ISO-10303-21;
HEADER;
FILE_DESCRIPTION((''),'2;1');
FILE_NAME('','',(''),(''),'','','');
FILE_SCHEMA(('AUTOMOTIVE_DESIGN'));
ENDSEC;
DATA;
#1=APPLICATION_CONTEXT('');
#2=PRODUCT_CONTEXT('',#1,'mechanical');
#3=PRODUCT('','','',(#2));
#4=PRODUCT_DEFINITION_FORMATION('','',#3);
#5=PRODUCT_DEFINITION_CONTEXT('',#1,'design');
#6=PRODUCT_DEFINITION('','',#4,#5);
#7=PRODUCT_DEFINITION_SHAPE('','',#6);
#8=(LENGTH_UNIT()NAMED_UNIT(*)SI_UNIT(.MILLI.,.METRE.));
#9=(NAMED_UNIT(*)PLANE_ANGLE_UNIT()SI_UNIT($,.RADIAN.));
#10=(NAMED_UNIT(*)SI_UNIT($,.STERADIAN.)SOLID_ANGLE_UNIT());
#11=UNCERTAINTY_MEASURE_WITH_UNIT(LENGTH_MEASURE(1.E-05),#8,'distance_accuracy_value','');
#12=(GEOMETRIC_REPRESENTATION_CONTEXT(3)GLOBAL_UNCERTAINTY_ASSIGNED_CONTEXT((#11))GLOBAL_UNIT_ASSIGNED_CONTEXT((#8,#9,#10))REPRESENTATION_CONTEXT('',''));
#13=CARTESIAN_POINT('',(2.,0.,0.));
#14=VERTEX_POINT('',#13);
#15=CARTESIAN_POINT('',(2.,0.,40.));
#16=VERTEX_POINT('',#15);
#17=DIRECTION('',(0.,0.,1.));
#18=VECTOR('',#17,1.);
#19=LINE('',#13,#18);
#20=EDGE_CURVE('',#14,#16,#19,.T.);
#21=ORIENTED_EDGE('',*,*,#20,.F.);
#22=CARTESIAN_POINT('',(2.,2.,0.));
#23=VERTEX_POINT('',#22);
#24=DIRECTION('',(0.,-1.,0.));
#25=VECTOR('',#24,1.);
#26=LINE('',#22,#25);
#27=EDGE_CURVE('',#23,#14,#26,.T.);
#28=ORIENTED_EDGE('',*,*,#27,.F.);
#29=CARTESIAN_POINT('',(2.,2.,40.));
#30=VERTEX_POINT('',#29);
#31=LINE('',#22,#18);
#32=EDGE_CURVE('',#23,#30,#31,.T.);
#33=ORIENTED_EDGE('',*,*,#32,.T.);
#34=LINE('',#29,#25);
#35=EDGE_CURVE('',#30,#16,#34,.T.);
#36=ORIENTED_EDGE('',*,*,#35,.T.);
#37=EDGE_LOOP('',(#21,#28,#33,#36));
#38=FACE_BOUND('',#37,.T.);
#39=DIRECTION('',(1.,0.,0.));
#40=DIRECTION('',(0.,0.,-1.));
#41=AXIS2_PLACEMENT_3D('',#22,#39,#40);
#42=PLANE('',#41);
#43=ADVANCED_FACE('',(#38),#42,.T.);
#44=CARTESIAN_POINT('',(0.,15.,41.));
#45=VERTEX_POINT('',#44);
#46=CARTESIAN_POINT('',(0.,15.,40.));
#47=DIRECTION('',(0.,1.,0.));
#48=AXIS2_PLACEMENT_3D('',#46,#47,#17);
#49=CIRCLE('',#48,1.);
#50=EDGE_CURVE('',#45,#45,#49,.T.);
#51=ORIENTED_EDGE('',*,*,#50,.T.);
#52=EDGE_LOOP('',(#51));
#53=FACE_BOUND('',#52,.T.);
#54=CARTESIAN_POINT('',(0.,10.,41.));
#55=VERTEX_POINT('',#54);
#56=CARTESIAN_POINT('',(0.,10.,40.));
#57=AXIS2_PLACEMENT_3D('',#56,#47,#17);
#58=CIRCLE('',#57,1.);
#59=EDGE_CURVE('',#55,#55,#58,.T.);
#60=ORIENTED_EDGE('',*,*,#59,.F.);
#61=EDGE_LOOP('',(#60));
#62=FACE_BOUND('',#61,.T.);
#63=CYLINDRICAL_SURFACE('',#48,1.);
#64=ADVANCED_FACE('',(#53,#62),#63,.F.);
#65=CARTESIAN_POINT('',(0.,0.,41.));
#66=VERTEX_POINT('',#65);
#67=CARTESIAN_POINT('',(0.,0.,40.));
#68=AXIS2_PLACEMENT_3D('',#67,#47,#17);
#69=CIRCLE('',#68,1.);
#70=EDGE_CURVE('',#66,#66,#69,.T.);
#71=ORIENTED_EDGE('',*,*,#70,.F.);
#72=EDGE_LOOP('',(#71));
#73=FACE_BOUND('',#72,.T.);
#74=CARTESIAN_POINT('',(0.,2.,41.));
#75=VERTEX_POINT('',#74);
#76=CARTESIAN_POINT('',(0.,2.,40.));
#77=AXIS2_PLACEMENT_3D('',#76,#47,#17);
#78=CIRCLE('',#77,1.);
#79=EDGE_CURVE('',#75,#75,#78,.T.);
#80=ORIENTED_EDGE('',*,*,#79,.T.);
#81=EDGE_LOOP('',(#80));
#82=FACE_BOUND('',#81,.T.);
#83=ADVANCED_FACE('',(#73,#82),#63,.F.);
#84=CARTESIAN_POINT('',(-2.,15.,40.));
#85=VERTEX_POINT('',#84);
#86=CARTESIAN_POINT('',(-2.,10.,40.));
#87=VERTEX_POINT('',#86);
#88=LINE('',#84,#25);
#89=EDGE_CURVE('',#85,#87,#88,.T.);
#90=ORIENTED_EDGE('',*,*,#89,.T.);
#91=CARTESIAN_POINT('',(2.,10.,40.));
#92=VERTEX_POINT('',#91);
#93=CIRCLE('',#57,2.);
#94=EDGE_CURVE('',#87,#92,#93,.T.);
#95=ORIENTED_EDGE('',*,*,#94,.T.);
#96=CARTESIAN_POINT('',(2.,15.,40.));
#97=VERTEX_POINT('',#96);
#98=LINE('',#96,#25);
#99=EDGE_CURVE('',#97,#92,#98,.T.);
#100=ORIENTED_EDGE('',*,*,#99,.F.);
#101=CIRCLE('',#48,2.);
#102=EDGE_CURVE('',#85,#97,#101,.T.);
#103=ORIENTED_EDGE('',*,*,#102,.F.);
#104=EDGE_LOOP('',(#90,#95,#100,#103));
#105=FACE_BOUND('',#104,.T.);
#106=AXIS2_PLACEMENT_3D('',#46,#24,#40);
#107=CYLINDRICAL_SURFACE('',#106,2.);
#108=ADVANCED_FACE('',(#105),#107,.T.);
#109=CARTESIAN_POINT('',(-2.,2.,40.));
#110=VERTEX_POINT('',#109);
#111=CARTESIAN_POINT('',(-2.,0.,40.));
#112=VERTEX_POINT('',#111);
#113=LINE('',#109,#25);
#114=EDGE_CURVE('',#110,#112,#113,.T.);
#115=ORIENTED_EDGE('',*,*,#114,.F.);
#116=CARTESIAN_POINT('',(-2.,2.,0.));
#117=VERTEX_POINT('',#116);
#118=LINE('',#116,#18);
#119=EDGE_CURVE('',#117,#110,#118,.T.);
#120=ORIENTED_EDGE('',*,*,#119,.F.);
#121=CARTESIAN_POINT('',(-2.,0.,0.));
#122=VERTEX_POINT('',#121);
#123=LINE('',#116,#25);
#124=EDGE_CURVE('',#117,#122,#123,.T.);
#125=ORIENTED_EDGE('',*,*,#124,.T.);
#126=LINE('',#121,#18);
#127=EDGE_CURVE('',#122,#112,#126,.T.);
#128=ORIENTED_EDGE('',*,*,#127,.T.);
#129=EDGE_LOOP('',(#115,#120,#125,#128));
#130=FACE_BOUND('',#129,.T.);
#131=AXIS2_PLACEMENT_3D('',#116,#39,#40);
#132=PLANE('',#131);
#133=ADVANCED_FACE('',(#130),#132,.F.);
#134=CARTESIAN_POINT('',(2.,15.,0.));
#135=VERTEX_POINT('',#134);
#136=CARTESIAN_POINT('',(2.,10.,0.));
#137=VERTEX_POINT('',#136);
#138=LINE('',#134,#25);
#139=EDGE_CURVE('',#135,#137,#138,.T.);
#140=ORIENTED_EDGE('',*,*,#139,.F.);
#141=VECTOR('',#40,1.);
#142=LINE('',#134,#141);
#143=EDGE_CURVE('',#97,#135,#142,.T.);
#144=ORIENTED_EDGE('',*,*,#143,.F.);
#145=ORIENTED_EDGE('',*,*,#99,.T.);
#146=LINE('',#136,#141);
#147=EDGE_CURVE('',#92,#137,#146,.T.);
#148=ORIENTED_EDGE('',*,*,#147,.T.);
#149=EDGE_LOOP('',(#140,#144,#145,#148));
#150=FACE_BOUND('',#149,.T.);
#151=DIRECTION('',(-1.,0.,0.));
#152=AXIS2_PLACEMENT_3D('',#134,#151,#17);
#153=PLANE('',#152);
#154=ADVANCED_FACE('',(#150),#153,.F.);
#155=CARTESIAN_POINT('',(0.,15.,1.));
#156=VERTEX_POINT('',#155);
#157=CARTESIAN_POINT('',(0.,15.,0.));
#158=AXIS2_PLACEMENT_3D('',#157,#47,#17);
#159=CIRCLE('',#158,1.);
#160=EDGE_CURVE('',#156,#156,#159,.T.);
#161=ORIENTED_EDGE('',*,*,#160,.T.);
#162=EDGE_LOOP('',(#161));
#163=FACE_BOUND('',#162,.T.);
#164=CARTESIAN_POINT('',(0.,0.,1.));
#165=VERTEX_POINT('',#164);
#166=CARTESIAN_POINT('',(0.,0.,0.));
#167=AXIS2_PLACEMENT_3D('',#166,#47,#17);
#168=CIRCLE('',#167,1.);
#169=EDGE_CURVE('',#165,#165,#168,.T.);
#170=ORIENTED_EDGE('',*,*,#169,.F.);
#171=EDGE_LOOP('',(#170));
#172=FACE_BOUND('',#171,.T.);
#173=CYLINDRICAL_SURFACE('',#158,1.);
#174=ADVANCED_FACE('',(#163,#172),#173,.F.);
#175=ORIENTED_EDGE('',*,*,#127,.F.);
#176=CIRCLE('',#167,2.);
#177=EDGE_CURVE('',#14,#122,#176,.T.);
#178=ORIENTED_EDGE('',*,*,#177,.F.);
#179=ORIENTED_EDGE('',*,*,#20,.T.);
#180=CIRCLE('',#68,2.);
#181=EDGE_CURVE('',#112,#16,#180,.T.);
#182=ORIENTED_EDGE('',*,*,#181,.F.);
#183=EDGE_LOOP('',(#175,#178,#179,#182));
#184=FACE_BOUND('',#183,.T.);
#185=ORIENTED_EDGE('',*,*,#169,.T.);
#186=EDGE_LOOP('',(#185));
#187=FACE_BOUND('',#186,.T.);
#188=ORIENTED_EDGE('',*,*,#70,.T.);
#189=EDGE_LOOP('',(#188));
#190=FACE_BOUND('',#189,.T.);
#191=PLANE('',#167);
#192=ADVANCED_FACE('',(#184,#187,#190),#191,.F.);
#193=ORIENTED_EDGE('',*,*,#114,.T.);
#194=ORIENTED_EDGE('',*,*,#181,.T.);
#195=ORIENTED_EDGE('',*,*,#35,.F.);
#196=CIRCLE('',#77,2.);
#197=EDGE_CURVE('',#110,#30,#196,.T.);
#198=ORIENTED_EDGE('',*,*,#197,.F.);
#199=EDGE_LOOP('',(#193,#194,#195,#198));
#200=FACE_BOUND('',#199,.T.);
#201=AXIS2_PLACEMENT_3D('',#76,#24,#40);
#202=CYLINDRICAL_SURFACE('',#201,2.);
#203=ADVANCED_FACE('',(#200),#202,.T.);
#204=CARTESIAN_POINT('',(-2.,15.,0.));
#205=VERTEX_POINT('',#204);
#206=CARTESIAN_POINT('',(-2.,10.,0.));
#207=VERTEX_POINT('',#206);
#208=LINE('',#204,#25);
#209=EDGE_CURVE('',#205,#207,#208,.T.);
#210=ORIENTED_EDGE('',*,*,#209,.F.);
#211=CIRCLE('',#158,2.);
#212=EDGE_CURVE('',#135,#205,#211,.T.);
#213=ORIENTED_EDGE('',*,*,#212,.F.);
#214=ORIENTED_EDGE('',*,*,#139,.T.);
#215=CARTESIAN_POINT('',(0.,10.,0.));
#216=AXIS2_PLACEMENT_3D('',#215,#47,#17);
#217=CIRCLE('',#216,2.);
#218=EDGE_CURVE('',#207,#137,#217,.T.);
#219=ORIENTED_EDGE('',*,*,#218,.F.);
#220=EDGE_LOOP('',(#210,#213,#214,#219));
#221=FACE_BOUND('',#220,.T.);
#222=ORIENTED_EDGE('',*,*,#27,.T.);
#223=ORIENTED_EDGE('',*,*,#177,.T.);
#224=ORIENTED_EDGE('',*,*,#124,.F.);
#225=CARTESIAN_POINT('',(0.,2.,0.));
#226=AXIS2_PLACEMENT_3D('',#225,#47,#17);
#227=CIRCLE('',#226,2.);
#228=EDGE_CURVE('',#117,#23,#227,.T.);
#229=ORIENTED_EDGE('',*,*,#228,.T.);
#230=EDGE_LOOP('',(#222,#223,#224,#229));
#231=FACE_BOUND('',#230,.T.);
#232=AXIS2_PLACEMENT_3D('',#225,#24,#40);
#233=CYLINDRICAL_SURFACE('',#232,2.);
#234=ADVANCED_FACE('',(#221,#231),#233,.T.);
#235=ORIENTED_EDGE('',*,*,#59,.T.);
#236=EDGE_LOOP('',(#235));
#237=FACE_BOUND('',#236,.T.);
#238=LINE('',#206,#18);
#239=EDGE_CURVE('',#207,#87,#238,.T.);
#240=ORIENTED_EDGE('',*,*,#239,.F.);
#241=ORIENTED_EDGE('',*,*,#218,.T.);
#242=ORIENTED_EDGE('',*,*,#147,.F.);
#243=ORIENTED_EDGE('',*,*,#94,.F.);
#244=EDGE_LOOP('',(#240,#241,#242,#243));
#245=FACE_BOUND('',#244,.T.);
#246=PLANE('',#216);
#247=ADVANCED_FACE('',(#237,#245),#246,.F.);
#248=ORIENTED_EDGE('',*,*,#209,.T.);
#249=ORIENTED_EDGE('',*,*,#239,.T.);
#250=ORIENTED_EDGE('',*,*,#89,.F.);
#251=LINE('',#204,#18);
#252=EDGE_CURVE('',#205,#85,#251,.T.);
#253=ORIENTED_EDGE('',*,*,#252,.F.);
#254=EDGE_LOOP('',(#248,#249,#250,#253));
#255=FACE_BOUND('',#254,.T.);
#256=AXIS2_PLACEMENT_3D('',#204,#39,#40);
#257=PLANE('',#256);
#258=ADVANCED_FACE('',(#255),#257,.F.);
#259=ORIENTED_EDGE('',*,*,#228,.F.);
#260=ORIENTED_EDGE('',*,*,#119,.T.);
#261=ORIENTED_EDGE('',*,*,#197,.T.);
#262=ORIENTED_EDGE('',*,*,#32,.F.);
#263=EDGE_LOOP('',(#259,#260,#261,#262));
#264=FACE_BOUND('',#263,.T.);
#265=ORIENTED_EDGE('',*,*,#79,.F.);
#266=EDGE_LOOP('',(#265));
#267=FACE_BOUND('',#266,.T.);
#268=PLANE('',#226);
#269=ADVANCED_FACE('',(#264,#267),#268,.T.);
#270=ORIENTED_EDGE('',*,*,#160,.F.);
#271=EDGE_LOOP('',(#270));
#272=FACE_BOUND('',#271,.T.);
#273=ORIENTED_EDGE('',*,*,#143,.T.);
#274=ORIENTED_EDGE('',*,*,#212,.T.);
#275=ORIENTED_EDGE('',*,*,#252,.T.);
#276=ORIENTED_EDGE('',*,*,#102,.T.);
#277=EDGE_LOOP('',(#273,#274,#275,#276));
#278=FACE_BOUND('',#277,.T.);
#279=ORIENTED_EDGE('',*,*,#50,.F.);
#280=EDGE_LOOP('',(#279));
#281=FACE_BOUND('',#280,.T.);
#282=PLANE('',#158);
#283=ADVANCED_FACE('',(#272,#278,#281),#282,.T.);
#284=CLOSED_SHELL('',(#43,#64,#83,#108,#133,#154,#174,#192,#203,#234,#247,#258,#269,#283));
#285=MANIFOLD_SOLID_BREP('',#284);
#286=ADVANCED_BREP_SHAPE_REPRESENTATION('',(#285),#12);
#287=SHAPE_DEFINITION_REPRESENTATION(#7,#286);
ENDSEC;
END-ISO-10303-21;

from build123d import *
from build123d.topology import SkipClean

# Parameters (mm, degrees)
BOSS_EXTRUDE1_DEPTH             = 2
SKETCH2_R                       = 2
BOSS_EXTRUDE2_DEPTH             = 12
BOSS_EXTRUDE3_START             = 10
BOSS_EXTRUDE3_DEPTH             = 5
F_2_0MM_CLEARANCE_DOWEL_HOLE1_D = 2


with BuildPart() as part:
    # Sketch1 → Boss-Extrude1 (new body)
    with BuildSketch(Plane(origin=(0, 0, 0), x_dir=(1, 0, 0), z_dir=(0, 1, 0))):
        with BuildLine():
            Line((2, 0), (2, -40))
            ThreePointArc((2, -40), (0, -42), (-2, -40))
            Line((-2, -40), (-2, 0))
            ThreePointArc((-2, 0), (0, 2), (2, 0))
        make_face()
    extrude(amount=BOSS_EXTRUDE1_DEPTH)

    # Sketch2 → Boss-Extrude2 (add)
    with SkipClean():  # the faces are left unmerged after this step: merging them gives an invalid solid
        with BuildSketch(Plane(origin=(0, 2, 0), x_dir=(1, 0, 0), z_dir=(0, 1, 0))):
            Circle(SKETCH2_R)
        extrude(amount=BOSS_EXTRUDE2_DEPTH)
    add(part.part.scale(1), mode=Mode.REPLACE)  # the faces are merged on a copy

    # Sketch1<3> → Boss-Extrude3 (add)
    with BuildSketch(Plane(origin=(0, 0, 0), x_dir=(1, 0, 0), z_dir=(0, 1, 0)).offset(BOSS_EXTRUDE3_START)):
        with BuildLine():
            Line((2, 0), (2, -40))
            ThreePointArc((2, -40), (0, -42), (-2, -40))
            Line((-2, -40), (-2, 0))
            ThreePointArc((-2, 0), (0, 2), (2, 0))
        make_face()
    extrude(amount=BOSS_EXTRUDE3_DEPTH)

    # Ø2.0mm Clearance Dowel Hole1 (through all)
    with Locations(Plane(origin=(0, 15, 0), x_dir=(1, 0, 0), z_dir=(0, 1, 0))):
        with Locations((0, 0), (0, -40)):
            Hole(F_2_0MM_CLEARANCE_DOWEL_HOLE1_D / 2)


solid = part.part
